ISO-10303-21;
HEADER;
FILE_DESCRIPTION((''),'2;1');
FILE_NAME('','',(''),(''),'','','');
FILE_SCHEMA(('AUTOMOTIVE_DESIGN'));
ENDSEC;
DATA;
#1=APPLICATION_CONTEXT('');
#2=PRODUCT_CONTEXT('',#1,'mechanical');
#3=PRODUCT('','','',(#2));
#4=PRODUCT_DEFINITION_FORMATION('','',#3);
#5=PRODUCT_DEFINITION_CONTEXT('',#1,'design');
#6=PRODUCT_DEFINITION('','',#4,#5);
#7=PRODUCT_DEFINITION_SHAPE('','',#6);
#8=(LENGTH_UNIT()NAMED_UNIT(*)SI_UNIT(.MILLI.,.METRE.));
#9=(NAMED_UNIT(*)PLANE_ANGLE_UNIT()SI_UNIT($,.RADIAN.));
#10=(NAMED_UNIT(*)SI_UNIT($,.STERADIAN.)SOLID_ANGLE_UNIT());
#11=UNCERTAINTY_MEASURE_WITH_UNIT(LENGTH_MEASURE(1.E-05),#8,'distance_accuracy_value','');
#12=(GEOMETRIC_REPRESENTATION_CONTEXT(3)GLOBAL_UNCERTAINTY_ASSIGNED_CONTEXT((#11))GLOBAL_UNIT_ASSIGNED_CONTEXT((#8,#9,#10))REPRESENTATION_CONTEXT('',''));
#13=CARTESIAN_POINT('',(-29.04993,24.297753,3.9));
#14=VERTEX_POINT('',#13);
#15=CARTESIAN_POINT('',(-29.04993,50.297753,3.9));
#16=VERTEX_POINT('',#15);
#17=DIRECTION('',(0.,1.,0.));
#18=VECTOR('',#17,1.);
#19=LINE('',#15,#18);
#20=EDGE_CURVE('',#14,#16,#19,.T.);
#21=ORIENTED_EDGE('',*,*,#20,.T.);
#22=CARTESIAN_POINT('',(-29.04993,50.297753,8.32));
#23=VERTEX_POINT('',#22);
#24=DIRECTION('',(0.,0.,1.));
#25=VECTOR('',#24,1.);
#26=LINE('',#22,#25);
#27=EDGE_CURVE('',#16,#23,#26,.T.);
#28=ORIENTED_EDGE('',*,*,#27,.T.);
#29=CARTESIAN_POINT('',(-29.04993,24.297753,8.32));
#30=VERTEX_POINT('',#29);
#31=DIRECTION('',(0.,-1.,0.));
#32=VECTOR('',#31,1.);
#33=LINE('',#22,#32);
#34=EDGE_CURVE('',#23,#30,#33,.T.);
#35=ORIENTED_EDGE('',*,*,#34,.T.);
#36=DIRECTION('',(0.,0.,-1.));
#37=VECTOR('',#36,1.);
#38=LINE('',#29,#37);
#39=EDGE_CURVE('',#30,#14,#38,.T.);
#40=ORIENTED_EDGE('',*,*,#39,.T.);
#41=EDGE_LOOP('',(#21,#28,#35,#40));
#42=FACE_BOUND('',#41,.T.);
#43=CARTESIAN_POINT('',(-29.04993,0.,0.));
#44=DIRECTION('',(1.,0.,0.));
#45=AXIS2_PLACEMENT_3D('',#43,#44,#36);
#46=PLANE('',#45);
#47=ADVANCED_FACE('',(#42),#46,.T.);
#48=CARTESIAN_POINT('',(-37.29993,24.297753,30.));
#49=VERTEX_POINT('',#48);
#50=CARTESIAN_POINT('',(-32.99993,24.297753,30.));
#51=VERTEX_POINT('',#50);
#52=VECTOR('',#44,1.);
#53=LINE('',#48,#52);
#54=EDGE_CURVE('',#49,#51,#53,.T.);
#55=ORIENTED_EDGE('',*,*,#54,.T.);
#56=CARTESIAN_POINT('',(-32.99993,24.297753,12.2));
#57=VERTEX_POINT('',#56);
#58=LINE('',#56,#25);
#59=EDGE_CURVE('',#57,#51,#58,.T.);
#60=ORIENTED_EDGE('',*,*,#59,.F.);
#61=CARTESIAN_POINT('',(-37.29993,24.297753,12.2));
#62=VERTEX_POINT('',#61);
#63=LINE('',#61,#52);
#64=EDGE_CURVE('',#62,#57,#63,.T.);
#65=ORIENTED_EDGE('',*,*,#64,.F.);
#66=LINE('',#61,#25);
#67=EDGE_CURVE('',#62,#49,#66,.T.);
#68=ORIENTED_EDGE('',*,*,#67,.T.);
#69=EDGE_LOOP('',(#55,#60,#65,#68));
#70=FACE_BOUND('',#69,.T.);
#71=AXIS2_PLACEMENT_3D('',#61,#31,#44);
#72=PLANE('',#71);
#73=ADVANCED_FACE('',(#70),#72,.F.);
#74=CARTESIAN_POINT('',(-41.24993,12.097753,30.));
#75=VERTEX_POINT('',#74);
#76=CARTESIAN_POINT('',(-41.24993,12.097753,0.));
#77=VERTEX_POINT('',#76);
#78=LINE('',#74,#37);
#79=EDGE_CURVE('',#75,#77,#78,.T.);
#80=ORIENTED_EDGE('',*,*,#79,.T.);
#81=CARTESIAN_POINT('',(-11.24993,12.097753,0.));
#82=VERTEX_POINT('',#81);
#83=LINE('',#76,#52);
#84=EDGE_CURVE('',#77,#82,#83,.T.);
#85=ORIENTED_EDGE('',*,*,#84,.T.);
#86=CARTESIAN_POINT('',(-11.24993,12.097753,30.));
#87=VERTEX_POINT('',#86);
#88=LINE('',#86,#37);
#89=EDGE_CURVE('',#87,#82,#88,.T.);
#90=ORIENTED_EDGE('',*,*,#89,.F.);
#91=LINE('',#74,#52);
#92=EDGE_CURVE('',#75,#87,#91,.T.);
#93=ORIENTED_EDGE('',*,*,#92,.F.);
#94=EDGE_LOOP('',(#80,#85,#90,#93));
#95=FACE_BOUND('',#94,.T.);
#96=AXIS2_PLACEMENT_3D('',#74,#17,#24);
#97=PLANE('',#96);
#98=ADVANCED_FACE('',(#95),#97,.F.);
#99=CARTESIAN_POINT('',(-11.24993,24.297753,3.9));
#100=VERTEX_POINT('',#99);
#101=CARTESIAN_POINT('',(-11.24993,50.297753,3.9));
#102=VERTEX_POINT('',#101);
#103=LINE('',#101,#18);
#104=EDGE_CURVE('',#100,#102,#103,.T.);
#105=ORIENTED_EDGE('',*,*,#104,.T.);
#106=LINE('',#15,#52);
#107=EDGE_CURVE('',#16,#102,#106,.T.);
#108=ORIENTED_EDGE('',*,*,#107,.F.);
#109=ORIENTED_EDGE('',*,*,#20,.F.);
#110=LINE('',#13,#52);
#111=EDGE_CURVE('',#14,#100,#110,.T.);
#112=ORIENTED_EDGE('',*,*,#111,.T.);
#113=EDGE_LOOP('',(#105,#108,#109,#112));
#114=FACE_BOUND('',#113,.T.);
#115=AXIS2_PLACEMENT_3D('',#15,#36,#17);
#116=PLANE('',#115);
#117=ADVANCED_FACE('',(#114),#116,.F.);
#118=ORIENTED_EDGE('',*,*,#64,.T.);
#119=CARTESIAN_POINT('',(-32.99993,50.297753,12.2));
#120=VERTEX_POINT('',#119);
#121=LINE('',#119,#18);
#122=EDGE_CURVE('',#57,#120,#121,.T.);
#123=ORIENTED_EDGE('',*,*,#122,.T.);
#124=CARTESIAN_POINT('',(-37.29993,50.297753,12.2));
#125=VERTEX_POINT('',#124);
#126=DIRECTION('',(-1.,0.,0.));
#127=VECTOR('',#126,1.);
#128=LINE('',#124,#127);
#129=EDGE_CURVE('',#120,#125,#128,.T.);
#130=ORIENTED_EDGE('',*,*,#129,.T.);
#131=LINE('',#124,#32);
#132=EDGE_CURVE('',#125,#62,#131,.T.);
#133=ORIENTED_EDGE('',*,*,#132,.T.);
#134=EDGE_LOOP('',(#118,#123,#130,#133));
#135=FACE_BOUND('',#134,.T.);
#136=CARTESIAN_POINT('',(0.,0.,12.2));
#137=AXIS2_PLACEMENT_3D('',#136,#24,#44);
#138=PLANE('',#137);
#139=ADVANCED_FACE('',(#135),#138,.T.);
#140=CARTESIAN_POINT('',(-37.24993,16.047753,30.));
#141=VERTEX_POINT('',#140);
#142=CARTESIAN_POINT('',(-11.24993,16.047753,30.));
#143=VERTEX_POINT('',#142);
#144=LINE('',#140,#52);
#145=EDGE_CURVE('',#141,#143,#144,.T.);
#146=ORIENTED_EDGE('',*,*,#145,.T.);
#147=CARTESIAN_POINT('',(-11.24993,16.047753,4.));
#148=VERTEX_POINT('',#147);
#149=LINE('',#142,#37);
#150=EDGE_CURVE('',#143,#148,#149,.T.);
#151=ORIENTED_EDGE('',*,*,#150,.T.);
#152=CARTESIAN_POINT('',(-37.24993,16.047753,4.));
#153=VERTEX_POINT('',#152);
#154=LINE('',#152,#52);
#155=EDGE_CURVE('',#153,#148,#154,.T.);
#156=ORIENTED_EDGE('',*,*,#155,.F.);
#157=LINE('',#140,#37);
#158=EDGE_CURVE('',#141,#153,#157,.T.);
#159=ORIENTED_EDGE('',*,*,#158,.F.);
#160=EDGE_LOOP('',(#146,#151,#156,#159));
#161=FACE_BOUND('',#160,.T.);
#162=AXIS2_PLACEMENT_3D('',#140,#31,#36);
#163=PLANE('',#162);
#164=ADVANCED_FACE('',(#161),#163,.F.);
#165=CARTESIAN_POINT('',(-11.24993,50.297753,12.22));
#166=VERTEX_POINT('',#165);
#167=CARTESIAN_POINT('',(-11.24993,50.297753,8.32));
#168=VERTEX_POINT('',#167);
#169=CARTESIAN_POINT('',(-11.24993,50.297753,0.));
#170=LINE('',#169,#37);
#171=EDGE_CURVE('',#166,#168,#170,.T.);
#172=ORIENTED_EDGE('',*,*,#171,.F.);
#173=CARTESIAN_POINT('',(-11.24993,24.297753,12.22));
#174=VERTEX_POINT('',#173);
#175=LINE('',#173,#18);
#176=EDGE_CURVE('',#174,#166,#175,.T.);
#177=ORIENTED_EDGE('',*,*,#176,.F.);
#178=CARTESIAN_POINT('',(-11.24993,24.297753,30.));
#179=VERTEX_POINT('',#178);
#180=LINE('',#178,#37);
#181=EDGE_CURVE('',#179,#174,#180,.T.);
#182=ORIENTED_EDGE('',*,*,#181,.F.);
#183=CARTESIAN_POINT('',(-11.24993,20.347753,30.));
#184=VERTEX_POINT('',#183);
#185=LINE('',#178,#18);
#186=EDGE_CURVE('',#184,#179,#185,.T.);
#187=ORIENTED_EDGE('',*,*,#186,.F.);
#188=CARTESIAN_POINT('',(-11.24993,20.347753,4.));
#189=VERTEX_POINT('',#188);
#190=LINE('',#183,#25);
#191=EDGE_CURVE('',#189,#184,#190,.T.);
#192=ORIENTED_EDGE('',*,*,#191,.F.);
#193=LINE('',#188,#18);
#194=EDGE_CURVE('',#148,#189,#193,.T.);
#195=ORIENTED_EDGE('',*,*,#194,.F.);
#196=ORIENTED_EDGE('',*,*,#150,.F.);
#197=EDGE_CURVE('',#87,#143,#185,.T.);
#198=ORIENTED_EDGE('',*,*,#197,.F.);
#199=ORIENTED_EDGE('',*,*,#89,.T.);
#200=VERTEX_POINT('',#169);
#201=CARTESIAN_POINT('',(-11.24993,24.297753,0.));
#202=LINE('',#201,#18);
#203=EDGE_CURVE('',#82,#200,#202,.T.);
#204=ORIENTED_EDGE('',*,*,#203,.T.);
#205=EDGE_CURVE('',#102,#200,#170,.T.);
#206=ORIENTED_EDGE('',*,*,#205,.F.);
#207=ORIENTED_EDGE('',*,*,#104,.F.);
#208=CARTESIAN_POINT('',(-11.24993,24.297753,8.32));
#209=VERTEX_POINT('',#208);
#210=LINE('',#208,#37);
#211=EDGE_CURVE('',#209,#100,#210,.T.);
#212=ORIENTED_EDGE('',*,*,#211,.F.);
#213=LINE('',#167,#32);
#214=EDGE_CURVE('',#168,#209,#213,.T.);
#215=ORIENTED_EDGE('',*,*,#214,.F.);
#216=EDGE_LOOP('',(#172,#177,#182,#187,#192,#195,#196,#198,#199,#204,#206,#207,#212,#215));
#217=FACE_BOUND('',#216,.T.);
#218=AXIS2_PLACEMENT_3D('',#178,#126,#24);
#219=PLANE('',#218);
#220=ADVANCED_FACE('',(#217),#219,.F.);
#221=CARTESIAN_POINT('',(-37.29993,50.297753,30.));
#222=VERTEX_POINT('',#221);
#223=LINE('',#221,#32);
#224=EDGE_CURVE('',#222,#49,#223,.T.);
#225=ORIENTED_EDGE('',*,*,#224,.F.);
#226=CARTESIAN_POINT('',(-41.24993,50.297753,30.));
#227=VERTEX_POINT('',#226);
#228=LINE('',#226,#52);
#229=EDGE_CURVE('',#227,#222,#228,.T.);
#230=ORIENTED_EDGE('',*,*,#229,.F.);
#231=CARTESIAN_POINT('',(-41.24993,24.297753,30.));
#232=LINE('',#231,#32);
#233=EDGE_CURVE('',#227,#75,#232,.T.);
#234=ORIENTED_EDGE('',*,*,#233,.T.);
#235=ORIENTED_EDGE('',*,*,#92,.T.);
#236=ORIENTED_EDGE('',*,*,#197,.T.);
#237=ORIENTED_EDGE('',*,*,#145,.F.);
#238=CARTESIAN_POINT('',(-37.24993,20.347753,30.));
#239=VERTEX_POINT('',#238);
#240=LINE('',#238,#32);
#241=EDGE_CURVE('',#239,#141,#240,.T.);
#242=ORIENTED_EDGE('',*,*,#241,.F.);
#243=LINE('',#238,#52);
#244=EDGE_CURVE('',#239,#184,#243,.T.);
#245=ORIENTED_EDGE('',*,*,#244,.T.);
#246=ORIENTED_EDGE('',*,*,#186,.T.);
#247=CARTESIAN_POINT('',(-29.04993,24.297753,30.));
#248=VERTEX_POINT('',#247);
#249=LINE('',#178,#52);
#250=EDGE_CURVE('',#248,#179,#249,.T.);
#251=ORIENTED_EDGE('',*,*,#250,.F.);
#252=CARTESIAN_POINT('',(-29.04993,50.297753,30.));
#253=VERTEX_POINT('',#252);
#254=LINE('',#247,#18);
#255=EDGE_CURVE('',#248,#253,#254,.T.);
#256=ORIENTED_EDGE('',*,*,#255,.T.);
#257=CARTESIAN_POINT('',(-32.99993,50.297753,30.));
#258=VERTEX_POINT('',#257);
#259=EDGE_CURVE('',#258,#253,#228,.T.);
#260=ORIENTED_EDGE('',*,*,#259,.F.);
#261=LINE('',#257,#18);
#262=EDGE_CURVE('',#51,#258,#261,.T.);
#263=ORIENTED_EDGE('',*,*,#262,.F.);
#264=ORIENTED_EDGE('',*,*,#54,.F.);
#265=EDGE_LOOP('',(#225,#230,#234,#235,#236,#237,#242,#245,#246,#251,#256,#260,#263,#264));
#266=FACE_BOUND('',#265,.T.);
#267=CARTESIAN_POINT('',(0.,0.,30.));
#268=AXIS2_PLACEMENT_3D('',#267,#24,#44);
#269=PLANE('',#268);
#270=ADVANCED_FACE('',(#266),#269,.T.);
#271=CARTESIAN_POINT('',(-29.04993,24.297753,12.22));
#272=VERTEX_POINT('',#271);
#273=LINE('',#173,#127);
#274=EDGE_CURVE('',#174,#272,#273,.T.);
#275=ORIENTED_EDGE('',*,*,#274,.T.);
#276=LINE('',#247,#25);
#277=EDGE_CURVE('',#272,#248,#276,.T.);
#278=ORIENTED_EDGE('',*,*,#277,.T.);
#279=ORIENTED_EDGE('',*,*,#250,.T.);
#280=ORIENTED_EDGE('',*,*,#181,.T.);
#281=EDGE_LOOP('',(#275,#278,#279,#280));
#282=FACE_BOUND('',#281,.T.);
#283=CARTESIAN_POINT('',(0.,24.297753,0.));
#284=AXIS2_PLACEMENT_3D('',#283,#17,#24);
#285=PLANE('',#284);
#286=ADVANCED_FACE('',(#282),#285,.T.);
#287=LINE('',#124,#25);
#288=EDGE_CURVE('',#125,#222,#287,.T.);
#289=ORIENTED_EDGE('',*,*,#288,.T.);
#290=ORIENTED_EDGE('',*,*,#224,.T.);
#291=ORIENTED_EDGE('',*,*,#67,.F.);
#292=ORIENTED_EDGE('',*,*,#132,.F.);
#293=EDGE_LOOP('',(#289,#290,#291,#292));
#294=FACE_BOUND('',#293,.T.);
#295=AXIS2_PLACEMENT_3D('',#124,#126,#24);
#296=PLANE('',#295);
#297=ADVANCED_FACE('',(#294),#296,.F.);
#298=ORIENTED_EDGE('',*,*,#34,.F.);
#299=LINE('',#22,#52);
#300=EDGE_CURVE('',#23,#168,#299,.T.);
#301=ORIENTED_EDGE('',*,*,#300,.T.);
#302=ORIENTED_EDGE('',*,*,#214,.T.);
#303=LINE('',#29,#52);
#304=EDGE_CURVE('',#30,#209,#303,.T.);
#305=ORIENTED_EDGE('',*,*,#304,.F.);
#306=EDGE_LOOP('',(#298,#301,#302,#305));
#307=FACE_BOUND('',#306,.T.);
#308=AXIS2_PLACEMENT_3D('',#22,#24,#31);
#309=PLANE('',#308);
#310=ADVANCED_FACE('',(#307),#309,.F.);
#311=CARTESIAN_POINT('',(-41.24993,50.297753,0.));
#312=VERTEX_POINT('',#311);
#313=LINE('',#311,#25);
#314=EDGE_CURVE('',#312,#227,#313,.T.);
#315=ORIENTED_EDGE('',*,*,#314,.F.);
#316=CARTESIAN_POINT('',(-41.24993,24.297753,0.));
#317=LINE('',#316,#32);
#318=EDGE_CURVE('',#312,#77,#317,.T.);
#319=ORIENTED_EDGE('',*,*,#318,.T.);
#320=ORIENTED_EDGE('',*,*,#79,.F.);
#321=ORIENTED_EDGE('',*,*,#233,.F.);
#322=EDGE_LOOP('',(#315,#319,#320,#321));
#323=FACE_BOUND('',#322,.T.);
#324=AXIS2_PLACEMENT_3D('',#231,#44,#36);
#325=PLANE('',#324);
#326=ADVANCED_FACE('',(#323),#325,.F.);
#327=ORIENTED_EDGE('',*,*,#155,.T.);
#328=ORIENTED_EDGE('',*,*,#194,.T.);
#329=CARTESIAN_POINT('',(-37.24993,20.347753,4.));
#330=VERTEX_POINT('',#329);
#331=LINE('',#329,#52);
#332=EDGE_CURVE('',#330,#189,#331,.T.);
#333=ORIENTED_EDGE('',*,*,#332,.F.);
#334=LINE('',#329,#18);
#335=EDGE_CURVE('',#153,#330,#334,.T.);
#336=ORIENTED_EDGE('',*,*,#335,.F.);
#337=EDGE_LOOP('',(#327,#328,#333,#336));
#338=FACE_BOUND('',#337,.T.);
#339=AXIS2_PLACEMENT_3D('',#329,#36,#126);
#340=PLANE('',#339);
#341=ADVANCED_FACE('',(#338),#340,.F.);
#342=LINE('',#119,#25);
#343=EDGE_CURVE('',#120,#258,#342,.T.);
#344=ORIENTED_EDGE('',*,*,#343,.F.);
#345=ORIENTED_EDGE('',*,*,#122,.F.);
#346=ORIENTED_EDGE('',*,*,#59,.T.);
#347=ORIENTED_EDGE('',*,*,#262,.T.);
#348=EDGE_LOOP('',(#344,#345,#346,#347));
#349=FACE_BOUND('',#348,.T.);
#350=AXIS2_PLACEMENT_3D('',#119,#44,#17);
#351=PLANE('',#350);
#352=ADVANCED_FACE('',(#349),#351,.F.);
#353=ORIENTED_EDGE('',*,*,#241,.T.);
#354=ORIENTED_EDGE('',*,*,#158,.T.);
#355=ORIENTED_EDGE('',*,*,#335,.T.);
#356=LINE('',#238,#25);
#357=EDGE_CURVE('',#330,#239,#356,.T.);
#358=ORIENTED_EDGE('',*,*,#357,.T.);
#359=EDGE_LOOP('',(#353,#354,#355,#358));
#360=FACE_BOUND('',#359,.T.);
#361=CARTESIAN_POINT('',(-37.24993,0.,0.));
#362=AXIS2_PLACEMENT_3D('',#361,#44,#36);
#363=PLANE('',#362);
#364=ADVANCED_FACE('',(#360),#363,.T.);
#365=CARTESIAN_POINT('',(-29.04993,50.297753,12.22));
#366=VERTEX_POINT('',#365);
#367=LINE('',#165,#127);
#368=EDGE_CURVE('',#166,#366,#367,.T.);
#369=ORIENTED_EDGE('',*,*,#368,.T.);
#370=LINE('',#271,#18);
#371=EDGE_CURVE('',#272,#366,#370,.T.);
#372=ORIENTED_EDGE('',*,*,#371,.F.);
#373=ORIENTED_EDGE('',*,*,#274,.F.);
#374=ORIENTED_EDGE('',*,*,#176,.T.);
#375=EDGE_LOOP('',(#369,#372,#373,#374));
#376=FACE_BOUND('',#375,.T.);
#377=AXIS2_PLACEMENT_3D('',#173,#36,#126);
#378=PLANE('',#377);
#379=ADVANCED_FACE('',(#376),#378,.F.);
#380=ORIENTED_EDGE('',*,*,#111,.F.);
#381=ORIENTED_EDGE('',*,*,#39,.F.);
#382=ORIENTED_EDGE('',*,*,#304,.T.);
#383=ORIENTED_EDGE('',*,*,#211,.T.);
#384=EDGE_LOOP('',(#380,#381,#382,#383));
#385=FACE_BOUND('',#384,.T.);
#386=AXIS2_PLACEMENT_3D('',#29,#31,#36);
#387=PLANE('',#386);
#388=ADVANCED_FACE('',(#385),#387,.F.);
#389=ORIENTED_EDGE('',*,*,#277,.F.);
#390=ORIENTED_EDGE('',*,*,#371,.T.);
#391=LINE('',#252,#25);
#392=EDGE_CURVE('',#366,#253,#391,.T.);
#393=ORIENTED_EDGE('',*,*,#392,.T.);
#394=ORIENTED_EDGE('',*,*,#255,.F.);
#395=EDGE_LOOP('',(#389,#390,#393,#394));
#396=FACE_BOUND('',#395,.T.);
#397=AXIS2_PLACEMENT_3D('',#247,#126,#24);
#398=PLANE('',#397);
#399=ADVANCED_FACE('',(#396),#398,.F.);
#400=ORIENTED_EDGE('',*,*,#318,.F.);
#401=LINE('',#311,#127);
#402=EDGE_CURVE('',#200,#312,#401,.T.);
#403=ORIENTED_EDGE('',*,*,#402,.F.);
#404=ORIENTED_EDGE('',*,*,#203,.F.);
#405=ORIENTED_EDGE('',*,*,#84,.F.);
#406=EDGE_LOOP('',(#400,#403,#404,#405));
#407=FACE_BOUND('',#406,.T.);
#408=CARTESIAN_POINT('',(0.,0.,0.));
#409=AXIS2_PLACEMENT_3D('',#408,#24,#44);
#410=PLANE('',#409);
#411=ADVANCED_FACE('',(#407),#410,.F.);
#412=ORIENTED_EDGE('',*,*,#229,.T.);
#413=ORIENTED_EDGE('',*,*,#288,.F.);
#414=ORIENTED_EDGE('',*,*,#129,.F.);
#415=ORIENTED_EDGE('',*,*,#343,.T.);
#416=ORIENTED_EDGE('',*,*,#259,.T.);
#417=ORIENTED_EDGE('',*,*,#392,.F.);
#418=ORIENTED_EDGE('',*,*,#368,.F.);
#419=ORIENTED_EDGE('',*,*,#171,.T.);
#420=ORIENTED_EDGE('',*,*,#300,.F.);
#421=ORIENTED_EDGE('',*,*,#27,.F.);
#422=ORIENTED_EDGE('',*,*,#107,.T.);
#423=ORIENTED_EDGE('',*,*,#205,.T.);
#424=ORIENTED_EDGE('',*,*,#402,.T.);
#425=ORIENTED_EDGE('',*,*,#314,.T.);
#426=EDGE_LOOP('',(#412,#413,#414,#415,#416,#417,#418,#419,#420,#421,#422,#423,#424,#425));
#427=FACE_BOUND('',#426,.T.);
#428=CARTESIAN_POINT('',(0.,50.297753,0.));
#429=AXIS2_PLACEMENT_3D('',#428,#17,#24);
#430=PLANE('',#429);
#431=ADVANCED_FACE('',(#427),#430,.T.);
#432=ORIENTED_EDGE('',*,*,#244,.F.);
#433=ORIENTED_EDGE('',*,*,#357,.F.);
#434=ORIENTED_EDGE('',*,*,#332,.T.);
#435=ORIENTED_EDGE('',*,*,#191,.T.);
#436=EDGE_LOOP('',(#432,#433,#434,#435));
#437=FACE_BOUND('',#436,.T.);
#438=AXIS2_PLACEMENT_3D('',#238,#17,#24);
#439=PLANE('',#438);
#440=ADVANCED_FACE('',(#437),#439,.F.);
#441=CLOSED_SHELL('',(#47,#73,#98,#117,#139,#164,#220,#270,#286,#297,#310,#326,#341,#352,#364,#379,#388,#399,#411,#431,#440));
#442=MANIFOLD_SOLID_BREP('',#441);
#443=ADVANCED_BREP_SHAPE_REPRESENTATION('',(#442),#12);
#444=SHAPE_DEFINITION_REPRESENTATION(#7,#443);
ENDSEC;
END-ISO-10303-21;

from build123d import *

# Parameters (mm, degrees)
SKETCH1_W           = 30
SKETCH1_H           = 12.2
BOSS_EXTRUDE1_DEPTH = 30
SKETCH2_W           = 26
SKETCH2_H           = 4.3
CUT_EXTRUDE1_DEPTH  = 26
SKETCH3_W           = 30
SKETCH3_H           = 30
BOSS_EXTRUDE2_DEPTH = 26
SKETCH4_W           = 17.8
SKETCH4_H           = 17.78
CUT_EXTRUDE2_DEPTH  = 26
SKETCH6_W           = 4.42
SKETCH6_H           = 26
CUT_EXTRUDE3_DEPTH  = 17.8
SKETCH9_W           = 4.3
SKETCH9_H           = 26
CUT_EXTRUDE4_DEPTH  = 17.8


with BuildPart() as part:
    # Sketch1 → Boss-Extrude1 (new body)
    with BuildSketch(Plane.XY):
        with Locations((-26.249929658, 18.197752809)):
            Rectangle(SKETCH1_W, SKETCH1_H)
    extrude(amount=BOSS_EXTRUDE1_DEPTH)

    # Sketch2 → Cut-Extrude1 (cut)
    with BuildSketch(Plane(origin=(-11.249929658, 0, 0), x_dir=(0, 0, -1), z_dir=(1, 0, 0))):
        with Locations((-17, 18.197752809)):
            Rectangle(SKETCH2_W, SKETCH2_H)
    extrude(amount=-CUT_EXTRUDE1_DEPTH, mode=Mode.SUBTRACT)

    # Sketch3 → Boss-Extrude2 (add)
    with BuildSketch(Plane(origin=(0, 24.297752809, 0), x_dir=(1, 0, 0), z_dir=(0, 1, 0))):
        with Locations((-26.249929658, -15)):
            Rectangle(SKETCH3_W, SKETCH3_H)
    extrude(amount=BOSS_EXTRUDE2_DEPTH)

    # Sketch4 → Cut-Extrude2 (cut)
    with BuildSketch(Plane(origin=(0, 50.297752809, 0), x_dir=(1, 0, 0), z_dir=(0, 1, 0))):
        with Locations((-20.149929658, -21.11)):
            Rectangle(SKETCH4_W, SKETCH4_H)
    extrude(amount=-CUT_EXTRUDE2_DEPTH, mode=Mode.SUBTRACT)

    # Sketch6 → Cut-Extrude3 (cut)
    with BuildSketch(Plane(origin=(-11.249929658, 0, 0), x_dir=(0, 0, -1), z_dir=(1, 0, 0))):
        with Locations((-6.11, 37.297752809)):
            Rectangle(SKETCH6_W, SKETCH6_H)
    extrude(amount=-CUT_EXTRUDE3_DEPTH, mode=Mode.SUBTRACT)

    # Sketch9 → Cut-Extrude4 (cut)
    with BuildSketch(Plane.XY.offset(30)):
        with Locations((-35.149929658, 37.297752809)):
            Rectangle(SKETCH9_W, SKETCH9_H)
    extrude(amount=-CUT_EXTRUDE4_DEPTH, mode=Mode.SUBTRACT)


solid = part.part
